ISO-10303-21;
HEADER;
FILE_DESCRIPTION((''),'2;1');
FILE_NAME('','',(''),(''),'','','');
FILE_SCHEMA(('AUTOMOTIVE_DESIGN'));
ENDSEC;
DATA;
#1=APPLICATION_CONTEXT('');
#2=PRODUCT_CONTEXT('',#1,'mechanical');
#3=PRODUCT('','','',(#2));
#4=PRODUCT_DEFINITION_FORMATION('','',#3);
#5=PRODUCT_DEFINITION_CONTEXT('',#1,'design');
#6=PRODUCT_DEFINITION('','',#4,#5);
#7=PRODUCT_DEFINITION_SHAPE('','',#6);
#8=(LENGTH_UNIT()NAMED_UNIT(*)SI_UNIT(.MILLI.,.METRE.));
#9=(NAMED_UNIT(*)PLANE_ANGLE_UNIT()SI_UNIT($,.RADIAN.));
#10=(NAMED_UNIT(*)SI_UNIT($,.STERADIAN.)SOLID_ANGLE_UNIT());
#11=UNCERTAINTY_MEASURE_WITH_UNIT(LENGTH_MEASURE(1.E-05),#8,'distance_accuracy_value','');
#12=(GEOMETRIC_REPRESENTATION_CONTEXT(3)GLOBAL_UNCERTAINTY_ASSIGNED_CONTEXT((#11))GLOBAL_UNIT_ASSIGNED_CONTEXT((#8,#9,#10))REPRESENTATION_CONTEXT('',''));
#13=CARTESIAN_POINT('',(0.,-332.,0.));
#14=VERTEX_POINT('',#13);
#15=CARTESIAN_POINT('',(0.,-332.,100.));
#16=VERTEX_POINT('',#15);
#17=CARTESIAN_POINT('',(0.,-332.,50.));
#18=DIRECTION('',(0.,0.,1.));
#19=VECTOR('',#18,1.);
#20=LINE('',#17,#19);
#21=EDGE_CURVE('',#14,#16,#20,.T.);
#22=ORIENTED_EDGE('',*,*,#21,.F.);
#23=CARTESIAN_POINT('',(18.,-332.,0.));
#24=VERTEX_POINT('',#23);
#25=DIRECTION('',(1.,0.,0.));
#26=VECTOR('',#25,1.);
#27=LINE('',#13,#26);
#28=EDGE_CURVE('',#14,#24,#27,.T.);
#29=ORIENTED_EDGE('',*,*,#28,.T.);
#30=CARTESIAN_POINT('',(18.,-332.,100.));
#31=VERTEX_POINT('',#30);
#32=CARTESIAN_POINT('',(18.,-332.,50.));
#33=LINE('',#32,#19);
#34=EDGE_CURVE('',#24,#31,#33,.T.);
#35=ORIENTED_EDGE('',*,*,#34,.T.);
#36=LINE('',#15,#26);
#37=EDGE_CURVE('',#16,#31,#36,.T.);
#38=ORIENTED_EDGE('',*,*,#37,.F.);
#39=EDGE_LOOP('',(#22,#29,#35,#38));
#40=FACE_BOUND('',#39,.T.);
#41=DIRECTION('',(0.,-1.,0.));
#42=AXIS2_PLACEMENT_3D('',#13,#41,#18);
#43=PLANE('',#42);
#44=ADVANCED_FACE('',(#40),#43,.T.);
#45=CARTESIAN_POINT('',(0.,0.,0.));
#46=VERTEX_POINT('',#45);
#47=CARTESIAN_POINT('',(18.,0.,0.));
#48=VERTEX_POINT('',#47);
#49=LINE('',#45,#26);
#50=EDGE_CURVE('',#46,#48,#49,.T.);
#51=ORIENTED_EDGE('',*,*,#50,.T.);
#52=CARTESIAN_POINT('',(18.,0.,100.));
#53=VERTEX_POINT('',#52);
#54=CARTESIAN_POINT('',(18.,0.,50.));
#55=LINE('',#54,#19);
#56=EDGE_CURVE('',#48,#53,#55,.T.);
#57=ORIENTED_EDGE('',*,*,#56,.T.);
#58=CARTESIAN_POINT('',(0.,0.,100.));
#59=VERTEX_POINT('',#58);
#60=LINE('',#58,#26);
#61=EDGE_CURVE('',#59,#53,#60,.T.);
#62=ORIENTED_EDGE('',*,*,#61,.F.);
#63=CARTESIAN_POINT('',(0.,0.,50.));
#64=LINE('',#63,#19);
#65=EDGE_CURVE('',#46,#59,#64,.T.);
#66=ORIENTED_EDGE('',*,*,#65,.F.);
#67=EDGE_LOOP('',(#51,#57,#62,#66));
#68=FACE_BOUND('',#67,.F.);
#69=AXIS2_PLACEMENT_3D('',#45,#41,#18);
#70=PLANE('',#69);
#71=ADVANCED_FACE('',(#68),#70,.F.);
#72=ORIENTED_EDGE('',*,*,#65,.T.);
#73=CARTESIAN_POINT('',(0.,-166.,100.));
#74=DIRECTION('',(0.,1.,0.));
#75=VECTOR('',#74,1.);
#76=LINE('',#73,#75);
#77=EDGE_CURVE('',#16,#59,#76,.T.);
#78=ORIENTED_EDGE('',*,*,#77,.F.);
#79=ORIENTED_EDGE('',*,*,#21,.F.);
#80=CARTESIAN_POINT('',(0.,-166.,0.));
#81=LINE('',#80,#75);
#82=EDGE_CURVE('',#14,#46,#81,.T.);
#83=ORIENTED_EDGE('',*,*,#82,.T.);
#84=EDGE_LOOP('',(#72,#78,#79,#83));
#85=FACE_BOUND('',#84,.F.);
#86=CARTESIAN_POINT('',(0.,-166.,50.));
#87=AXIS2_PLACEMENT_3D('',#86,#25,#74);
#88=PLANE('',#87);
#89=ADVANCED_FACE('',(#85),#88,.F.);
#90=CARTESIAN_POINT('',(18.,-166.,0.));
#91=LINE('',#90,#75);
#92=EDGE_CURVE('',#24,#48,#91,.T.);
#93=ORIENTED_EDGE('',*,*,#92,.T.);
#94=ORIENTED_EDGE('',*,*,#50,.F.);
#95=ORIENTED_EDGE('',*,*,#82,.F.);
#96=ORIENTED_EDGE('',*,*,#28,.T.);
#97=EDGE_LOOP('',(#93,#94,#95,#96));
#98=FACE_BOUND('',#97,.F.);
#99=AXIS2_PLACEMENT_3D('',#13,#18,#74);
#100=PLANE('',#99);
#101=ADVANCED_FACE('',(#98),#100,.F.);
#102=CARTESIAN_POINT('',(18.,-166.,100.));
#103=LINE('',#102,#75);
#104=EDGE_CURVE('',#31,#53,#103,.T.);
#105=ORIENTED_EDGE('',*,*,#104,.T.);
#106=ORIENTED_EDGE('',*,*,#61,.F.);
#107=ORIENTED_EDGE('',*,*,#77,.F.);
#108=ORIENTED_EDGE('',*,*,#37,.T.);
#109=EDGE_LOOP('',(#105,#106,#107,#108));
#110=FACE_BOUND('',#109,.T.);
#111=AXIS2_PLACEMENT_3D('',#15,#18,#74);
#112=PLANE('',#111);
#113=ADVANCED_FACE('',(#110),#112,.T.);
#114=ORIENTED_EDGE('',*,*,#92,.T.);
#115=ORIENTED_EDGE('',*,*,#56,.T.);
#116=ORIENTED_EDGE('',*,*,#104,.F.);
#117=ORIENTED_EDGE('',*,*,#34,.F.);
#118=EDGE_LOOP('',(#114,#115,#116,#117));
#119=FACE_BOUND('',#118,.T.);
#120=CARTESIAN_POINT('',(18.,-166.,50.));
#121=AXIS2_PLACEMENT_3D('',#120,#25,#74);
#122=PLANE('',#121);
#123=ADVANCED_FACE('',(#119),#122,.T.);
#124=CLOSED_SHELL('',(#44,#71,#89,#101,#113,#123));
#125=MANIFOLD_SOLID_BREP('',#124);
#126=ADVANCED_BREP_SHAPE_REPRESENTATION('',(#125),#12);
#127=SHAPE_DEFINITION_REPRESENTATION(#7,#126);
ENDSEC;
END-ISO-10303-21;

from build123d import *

# Parameters (mm, degrees)
SKETCH_W  = 332
SKETCH_H  = 100
PAD_DEPTH = 18


with BuildPart() as part:
    # Sketch → Pad (new body)
    with BuildSketch(Plane.YZ):
        with Locations((-166, 50)):
            Rectangle(SKETCH_W, SKETCH_H)
    extrude(amount=PAD_DEPTH)


solid = part.part
